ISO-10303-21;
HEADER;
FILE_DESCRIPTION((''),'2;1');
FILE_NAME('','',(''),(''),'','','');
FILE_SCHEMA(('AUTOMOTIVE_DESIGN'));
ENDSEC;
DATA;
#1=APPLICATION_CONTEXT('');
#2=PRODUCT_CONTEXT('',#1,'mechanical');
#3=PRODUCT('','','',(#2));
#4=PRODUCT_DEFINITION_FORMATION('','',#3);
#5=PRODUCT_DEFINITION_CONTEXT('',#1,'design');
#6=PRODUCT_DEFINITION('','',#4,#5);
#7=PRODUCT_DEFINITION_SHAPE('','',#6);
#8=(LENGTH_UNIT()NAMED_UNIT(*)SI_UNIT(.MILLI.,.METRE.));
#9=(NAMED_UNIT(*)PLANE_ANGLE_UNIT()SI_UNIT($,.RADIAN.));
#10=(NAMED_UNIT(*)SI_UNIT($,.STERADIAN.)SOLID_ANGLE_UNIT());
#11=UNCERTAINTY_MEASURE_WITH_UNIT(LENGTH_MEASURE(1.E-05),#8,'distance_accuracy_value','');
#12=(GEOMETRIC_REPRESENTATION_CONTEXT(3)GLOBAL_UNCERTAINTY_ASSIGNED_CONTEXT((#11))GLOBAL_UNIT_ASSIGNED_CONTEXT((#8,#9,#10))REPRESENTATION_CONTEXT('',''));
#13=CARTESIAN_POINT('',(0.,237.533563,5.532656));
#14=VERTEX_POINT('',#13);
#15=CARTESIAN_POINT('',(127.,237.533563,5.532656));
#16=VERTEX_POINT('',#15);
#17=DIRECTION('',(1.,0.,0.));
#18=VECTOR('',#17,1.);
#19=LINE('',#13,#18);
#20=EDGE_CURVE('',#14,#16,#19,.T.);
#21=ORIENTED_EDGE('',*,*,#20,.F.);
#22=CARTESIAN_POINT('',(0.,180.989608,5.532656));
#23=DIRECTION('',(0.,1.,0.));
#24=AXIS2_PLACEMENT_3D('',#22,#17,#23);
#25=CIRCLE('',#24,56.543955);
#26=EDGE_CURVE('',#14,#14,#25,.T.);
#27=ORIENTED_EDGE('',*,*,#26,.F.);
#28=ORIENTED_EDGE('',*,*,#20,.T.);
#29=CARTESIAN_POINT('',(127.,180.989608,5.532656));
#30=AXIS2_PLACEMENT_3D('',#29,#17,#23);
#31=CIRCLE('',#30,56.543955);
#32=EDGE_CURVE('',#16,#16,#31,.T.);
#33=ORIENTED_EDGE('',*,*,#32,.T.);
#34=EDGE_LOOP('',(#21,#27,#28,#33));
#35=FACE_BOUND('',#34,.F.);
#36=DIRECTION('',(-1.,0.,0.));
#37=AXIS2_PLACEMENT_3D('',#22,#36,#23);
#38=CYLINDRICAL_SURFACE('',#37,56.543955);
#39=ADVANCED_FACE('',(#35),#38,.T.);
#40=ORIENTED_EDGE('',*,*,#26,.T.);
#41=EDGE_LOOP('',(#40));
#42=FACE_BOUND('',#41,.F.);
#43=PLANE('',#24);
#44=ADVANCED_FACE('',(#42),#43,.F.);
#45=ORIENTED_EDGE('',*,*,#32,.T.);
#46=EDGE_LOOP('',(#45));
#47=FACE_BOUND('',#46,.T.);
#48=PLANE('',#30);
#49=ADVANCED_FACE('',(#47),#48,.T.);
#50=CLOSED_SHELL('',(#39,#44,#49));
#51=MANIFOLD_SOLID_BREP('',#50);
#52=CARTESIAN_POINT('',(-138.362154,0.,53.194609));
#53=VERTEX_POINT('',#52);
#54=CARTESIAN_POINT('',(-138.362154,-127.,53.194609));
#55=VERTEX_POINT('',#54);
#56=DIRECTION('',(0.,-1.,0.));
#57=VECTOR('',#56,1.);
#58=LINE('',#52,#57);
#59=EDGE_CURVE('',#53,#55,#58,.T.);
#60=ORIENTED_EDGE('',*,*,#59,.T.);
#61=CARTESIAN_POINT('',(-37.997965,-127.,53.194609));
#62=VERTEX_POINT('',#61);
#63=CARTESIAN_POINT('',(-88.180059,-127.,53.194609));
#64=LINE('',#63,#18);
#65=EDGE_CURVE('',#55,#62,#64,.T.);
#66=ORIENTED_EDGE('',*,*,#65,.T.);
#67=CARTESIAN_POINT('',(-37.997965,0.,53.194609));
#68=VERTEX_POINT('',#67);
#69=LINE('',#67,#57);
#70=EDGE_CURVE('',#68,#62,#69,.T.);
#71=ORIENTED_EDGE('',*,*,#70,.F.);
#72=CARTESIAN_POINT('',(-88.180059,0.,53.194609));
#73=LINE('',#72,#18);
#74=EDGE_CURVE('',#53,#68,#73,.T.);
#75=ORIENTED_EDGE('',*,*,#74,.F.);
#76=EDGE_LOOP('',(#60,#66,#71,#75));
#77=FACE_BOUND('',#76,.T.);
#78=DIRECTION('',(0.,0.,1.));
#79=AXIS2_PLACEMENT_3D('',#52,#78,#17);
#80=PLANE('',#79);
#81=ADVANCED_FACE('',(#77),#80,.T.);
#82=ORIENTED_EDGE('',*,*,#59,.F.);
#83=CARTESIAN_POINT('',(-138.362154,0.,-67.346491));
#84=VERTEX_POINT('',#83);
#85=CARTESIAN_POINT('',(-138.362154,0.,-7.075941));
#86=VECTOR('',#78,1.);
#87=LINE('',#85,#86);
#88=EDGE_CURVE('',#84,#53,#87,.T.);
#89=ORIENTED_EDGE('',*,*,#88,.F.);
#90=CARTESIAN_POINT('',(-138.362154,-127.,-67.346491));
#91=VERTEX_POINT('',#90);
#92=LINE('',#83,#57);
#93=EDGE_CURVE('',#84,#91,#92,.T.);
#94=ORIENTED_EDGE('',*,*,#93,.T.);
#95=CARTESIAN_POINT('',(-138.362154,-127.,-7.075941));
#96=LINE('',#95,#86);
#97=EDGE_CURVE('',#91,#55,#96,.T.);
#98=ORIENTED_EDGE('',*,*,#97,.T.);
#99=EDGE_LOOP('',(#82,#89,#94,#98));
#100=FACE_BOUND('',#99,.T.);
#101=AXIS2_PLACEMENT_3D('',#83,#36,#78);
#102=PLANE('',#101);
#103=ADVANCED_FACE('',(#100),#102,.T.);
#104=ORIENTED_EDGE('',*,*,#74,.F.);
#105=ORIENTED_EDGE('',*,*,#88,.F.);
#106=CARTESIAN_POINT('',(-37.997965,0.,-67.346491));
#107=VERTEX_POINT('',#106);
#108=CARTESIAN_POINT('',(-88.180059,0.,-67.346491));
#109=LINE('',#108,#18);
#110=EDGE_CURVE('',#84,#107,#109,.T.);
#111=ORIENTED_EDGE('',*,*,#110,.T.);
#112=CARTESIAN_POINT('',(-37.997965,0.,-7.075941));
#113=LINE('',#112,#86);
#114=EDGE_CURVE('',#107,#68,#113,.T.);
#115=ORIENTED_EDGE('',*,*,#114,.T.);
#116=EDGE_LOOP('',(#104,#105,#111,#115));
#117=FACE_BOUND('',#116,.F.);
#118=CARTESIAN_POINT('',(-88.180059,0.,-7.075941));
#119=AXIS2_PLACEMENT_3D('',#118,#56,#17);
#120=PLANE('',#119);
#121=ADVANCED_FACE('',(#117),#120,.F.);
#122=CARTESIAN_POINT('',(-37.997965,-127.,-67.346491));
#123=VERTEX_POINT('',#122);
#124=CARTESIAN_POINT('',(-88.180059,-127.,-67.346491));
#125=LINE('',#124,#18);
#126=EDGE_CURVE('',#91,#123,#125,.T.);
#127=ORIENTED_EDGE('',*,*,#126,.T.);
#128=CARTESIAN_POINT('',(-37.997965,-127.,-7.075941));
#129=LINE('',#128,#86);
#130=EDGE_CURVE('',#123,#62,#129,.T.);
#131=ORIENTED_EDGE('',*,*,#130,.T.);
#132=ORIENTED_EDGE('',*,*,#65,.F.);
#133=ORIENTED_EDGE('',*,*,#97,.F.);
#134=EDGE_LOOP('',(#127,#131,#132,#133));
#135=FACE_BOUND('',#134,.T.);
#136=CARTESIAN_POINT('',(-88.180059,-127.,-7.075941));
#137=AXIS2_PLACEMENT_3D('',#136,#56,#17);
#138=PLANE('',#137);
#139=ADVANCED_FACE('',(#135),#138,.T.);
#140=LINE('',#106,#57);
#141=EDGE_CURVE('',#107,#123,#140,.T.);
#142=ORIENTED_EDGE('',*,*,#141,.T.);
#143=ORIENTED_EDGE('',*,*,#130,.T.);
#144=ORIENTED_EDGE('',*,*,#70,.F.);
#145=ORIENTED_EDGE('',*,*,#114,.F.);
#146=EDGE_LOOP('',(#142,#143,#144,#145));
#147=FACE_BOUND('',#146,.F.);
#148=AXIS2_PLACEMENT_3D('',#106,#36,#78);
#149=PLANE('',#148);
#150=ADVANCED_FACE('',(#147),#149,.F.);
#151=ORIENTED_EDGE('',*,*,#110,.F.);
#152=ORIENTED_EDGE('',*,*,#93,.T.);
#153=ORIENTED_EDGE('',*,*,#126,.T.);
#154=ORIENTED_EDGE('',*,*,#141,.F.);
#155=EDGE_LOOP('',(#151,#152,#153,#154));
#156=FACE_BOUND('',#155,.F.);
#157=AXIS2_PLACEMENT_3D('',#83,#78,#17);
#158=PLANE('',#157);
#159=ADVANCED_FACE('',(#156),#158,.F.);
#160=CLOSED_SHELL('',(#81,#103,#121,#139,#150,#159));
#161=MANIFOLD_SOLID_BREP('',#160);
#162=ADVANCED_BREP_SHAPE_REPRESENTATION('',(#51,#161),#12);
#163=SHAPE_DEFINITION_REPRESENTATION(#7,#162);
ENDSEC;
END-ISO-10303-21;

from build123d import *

# Parameters (mm, degrees)
F0_W     = 100.364189
F0_H     = 120.5411
F1_DEPTH = 127
F2_R     = 56.543955
F3_DEPTH = 127


with BuildPart() as f1:
    # F0 (on Front) → F1 (new body)
    with BuildSketch(Plane.XZ):
        with Locations((-88.180059, -7.075941)):
            Rectangle(F0_W, F0_H)
    extrude(amount=F1_DEPTH)


with BuildPart() as f3:
    # F2 (on Right) → F3 (new body)
    with BuildSketch(Plane.YZ):
        with Locations((180.989608, 5.532656)):
            Circle(F2_R)
    extrude(amount=F3_DEPTH)


solid = Compound([f1.part, f3.part])
